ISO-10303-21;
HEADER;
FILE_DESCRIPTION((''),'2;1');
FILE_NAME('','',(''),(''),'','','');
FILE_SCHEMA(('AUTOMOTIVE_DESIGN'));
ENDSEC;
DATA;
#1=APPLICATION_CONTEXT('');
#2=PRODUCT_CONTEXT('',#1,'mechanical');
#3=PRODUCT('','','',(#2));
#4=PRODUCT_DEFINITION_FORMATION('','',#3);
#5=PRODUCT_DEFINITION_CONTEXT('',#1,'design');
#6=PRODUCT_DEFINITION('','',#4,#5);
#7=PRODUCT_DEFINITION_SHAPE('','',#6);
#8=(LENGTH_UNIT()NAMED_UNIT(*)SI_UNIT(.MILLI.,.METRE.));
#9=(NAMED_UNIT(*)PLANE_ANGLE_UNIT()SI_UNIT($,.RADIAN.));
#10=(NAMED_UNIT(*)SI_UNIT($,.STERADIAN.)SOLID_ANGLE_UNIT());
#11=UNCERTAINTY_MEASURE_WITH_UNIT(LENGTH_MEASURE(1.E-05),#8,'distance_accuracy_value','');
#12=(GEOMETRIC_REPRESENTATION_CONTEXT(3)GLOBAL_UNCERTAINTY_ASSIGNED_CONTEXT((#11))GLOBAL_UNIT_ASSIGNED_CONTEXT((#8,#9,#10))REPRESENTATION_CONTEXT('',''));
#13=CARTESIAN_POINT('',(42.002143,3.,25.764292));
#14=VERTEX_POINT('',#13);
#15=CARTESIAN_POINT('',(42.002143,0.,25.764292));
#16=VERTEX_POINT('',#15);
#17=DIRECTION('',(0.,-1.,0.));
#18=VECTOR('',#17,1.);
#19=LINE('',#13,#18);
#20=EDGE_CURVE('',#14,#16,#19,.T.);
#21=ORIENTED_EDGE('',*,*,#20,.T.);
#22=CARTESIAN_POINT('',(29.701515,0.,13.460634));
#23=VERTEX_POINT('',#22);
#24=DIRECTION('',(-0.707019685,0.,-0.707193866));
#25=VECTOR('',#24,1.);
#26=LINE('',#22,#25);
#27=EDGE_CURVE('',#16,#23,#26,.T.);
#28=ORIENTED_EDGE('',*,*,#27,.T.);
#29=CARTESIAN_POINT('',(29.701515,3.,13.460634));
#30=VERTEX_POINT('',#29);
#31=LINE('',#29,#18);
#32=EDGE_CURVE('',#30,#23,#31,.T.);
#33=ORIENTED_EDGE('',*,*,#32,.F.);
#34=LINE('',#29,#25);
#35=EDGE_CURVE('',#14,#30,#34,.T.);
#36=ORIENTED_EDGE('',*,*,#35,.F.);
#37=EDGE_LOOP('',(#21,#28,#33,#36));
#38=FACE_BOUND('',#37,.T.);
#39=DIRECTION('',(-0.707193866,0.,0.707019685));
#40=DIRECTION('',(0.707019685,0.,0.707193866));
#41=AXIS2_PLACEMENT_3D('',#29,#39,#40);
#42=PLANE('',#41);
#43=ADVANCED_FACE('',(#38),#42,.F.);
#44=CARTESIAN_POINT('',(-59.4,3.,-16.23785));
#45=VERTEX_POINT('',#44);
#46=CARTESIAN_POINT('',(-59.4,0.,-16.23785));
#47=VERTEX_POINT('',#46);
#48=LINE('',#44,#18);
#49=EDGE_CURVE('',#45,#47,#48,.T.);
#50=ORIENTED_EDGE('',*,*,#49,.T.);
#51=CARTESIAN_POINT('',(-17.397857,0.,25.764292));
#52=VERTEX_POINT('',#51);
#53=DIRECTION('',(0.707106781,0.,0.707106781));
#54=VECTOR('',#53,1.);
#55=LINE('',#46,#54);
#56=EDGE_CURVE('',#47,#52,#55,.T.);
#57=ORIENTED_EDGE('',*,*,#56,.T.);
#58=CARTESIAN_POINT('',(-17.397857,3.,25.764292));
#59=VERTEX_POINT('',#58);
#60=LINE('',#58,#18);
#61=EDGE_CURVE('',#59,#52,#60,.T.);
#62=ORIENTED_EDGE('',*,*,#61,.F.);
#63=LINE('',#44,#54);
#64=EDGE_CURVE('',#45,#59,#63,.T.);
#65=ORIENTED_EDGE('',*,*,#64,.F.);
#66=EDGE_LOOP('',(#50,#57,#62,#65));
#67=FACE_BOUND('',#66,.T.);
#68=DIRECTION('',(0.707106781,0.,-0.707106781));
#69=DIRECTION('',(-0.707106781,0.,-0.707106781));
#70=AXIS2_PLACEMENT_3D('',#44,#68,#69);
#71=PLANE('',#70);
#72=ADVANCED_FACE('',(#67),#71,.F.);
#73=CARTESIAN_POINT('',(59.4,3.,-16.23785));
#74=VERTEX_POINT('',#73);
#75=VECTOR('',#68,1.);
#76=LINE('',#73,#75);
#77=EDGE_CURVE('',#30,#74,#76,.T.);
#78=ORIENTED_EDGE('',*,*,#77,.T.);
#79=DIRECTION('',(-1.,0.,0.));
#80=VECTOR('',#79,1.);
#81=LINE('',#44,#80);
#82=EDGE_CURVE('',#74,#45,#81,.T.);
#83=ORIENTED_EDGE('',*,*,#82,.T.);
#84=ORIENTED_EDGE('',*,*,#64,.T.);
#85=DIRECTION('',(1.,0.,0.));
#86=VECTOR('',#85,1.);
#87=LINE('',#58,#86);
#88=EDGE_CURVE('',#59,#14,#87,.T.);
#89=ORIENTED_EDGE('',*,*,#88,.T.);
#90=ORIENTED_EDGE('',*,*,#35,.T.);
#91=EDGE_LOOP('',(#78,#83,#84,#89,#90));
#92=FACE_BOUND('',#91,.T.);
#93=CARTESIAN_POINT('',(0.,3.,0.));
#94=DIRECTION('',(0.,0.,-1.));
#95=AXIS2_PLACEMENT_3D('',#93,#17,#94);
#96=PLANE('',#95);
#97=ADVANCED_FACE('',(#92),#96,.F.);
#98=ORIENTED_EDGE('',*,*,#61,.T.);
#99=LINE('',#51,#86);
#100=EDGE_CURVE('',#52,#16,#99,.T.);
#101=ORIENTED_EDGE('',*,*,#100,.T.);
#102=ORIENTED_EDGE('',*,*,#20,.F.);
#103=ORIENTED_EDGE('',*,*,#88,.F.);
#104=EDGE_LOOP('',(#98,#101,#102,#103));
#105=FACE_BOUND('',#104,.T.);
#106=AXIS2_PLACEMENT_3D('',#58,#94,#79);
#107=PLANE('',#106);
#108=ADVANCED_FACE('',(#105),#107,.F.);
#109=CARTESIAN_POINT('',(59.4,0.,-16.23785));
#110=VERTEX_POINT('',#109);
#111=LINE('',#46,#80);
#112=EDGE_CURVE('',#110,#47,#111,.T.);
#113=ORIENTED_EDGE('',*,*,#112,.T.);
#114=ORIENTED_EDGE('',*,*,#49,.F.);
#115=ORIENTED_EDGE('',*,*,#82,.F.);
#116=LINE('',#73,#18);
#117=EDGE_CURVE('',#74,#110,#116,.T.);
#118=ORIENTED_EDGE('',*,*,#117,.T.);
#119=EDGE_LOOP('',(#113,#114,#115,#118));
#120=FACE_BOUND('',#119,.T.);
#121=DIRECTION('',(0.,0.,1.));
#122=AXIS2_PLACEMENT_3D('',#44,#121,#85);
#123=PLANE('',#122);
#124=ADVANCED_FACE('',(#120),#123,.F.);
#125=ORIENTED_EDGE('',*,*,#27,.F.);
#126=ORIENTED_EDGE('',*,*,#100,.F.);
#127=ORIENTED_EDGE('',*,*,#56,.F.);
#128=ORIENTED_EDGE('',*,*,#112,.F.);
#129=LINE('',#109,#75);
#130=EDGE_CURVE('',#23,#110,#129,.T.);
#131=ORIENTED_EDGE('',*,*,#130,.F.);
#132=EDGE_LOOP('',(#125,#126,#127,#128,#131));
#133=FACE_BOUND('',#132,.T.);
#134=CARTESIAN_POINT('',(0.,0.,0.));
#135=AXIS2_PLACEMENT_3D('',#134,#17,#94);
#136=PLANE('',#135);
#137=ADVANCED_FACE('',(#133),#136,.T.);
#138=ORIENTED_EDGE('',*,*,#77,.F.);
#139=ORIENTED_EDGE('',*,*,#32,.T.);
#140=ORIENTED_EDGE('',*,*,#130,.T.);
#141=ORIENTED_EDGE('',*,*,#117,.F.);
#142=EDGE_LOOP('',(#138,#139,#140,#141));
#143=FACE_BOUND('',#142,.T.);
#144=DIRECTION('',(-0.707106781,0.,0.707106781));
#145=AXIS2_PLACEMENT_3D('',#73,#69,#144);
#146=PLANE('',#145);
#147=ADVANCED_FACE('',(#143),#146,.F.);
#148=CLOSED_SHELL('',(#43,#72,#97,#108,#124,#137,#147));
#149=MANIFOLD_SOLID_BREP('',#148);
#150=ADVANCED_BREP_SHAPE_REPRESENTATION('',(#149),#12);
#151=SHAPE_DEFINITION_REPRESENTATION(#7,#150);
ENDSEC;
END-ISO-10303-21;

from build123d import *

# Parameters (mm, degrees)
BOSS_EXTRUDE1_DEPTH = 3


with BuildPart() as part:
    # Sketch2 → Boss-Extrude1 (new body)
    with BuildSketch(Plane(origin=(0, 0, 0), x_dir=(1, 0, 0), z_dir=(0, 1, 0))):
        Polygon((-59.4, 16.237850467), (-17.397857198, -25.764292335), (42.002142802, -25.764292335), (29.70151519, -13.460634343), (59.4, 16.237850467), align=None)
    extrude(amount=BOSS_EXTRUDE1_DEPTH)


solid = part.part
